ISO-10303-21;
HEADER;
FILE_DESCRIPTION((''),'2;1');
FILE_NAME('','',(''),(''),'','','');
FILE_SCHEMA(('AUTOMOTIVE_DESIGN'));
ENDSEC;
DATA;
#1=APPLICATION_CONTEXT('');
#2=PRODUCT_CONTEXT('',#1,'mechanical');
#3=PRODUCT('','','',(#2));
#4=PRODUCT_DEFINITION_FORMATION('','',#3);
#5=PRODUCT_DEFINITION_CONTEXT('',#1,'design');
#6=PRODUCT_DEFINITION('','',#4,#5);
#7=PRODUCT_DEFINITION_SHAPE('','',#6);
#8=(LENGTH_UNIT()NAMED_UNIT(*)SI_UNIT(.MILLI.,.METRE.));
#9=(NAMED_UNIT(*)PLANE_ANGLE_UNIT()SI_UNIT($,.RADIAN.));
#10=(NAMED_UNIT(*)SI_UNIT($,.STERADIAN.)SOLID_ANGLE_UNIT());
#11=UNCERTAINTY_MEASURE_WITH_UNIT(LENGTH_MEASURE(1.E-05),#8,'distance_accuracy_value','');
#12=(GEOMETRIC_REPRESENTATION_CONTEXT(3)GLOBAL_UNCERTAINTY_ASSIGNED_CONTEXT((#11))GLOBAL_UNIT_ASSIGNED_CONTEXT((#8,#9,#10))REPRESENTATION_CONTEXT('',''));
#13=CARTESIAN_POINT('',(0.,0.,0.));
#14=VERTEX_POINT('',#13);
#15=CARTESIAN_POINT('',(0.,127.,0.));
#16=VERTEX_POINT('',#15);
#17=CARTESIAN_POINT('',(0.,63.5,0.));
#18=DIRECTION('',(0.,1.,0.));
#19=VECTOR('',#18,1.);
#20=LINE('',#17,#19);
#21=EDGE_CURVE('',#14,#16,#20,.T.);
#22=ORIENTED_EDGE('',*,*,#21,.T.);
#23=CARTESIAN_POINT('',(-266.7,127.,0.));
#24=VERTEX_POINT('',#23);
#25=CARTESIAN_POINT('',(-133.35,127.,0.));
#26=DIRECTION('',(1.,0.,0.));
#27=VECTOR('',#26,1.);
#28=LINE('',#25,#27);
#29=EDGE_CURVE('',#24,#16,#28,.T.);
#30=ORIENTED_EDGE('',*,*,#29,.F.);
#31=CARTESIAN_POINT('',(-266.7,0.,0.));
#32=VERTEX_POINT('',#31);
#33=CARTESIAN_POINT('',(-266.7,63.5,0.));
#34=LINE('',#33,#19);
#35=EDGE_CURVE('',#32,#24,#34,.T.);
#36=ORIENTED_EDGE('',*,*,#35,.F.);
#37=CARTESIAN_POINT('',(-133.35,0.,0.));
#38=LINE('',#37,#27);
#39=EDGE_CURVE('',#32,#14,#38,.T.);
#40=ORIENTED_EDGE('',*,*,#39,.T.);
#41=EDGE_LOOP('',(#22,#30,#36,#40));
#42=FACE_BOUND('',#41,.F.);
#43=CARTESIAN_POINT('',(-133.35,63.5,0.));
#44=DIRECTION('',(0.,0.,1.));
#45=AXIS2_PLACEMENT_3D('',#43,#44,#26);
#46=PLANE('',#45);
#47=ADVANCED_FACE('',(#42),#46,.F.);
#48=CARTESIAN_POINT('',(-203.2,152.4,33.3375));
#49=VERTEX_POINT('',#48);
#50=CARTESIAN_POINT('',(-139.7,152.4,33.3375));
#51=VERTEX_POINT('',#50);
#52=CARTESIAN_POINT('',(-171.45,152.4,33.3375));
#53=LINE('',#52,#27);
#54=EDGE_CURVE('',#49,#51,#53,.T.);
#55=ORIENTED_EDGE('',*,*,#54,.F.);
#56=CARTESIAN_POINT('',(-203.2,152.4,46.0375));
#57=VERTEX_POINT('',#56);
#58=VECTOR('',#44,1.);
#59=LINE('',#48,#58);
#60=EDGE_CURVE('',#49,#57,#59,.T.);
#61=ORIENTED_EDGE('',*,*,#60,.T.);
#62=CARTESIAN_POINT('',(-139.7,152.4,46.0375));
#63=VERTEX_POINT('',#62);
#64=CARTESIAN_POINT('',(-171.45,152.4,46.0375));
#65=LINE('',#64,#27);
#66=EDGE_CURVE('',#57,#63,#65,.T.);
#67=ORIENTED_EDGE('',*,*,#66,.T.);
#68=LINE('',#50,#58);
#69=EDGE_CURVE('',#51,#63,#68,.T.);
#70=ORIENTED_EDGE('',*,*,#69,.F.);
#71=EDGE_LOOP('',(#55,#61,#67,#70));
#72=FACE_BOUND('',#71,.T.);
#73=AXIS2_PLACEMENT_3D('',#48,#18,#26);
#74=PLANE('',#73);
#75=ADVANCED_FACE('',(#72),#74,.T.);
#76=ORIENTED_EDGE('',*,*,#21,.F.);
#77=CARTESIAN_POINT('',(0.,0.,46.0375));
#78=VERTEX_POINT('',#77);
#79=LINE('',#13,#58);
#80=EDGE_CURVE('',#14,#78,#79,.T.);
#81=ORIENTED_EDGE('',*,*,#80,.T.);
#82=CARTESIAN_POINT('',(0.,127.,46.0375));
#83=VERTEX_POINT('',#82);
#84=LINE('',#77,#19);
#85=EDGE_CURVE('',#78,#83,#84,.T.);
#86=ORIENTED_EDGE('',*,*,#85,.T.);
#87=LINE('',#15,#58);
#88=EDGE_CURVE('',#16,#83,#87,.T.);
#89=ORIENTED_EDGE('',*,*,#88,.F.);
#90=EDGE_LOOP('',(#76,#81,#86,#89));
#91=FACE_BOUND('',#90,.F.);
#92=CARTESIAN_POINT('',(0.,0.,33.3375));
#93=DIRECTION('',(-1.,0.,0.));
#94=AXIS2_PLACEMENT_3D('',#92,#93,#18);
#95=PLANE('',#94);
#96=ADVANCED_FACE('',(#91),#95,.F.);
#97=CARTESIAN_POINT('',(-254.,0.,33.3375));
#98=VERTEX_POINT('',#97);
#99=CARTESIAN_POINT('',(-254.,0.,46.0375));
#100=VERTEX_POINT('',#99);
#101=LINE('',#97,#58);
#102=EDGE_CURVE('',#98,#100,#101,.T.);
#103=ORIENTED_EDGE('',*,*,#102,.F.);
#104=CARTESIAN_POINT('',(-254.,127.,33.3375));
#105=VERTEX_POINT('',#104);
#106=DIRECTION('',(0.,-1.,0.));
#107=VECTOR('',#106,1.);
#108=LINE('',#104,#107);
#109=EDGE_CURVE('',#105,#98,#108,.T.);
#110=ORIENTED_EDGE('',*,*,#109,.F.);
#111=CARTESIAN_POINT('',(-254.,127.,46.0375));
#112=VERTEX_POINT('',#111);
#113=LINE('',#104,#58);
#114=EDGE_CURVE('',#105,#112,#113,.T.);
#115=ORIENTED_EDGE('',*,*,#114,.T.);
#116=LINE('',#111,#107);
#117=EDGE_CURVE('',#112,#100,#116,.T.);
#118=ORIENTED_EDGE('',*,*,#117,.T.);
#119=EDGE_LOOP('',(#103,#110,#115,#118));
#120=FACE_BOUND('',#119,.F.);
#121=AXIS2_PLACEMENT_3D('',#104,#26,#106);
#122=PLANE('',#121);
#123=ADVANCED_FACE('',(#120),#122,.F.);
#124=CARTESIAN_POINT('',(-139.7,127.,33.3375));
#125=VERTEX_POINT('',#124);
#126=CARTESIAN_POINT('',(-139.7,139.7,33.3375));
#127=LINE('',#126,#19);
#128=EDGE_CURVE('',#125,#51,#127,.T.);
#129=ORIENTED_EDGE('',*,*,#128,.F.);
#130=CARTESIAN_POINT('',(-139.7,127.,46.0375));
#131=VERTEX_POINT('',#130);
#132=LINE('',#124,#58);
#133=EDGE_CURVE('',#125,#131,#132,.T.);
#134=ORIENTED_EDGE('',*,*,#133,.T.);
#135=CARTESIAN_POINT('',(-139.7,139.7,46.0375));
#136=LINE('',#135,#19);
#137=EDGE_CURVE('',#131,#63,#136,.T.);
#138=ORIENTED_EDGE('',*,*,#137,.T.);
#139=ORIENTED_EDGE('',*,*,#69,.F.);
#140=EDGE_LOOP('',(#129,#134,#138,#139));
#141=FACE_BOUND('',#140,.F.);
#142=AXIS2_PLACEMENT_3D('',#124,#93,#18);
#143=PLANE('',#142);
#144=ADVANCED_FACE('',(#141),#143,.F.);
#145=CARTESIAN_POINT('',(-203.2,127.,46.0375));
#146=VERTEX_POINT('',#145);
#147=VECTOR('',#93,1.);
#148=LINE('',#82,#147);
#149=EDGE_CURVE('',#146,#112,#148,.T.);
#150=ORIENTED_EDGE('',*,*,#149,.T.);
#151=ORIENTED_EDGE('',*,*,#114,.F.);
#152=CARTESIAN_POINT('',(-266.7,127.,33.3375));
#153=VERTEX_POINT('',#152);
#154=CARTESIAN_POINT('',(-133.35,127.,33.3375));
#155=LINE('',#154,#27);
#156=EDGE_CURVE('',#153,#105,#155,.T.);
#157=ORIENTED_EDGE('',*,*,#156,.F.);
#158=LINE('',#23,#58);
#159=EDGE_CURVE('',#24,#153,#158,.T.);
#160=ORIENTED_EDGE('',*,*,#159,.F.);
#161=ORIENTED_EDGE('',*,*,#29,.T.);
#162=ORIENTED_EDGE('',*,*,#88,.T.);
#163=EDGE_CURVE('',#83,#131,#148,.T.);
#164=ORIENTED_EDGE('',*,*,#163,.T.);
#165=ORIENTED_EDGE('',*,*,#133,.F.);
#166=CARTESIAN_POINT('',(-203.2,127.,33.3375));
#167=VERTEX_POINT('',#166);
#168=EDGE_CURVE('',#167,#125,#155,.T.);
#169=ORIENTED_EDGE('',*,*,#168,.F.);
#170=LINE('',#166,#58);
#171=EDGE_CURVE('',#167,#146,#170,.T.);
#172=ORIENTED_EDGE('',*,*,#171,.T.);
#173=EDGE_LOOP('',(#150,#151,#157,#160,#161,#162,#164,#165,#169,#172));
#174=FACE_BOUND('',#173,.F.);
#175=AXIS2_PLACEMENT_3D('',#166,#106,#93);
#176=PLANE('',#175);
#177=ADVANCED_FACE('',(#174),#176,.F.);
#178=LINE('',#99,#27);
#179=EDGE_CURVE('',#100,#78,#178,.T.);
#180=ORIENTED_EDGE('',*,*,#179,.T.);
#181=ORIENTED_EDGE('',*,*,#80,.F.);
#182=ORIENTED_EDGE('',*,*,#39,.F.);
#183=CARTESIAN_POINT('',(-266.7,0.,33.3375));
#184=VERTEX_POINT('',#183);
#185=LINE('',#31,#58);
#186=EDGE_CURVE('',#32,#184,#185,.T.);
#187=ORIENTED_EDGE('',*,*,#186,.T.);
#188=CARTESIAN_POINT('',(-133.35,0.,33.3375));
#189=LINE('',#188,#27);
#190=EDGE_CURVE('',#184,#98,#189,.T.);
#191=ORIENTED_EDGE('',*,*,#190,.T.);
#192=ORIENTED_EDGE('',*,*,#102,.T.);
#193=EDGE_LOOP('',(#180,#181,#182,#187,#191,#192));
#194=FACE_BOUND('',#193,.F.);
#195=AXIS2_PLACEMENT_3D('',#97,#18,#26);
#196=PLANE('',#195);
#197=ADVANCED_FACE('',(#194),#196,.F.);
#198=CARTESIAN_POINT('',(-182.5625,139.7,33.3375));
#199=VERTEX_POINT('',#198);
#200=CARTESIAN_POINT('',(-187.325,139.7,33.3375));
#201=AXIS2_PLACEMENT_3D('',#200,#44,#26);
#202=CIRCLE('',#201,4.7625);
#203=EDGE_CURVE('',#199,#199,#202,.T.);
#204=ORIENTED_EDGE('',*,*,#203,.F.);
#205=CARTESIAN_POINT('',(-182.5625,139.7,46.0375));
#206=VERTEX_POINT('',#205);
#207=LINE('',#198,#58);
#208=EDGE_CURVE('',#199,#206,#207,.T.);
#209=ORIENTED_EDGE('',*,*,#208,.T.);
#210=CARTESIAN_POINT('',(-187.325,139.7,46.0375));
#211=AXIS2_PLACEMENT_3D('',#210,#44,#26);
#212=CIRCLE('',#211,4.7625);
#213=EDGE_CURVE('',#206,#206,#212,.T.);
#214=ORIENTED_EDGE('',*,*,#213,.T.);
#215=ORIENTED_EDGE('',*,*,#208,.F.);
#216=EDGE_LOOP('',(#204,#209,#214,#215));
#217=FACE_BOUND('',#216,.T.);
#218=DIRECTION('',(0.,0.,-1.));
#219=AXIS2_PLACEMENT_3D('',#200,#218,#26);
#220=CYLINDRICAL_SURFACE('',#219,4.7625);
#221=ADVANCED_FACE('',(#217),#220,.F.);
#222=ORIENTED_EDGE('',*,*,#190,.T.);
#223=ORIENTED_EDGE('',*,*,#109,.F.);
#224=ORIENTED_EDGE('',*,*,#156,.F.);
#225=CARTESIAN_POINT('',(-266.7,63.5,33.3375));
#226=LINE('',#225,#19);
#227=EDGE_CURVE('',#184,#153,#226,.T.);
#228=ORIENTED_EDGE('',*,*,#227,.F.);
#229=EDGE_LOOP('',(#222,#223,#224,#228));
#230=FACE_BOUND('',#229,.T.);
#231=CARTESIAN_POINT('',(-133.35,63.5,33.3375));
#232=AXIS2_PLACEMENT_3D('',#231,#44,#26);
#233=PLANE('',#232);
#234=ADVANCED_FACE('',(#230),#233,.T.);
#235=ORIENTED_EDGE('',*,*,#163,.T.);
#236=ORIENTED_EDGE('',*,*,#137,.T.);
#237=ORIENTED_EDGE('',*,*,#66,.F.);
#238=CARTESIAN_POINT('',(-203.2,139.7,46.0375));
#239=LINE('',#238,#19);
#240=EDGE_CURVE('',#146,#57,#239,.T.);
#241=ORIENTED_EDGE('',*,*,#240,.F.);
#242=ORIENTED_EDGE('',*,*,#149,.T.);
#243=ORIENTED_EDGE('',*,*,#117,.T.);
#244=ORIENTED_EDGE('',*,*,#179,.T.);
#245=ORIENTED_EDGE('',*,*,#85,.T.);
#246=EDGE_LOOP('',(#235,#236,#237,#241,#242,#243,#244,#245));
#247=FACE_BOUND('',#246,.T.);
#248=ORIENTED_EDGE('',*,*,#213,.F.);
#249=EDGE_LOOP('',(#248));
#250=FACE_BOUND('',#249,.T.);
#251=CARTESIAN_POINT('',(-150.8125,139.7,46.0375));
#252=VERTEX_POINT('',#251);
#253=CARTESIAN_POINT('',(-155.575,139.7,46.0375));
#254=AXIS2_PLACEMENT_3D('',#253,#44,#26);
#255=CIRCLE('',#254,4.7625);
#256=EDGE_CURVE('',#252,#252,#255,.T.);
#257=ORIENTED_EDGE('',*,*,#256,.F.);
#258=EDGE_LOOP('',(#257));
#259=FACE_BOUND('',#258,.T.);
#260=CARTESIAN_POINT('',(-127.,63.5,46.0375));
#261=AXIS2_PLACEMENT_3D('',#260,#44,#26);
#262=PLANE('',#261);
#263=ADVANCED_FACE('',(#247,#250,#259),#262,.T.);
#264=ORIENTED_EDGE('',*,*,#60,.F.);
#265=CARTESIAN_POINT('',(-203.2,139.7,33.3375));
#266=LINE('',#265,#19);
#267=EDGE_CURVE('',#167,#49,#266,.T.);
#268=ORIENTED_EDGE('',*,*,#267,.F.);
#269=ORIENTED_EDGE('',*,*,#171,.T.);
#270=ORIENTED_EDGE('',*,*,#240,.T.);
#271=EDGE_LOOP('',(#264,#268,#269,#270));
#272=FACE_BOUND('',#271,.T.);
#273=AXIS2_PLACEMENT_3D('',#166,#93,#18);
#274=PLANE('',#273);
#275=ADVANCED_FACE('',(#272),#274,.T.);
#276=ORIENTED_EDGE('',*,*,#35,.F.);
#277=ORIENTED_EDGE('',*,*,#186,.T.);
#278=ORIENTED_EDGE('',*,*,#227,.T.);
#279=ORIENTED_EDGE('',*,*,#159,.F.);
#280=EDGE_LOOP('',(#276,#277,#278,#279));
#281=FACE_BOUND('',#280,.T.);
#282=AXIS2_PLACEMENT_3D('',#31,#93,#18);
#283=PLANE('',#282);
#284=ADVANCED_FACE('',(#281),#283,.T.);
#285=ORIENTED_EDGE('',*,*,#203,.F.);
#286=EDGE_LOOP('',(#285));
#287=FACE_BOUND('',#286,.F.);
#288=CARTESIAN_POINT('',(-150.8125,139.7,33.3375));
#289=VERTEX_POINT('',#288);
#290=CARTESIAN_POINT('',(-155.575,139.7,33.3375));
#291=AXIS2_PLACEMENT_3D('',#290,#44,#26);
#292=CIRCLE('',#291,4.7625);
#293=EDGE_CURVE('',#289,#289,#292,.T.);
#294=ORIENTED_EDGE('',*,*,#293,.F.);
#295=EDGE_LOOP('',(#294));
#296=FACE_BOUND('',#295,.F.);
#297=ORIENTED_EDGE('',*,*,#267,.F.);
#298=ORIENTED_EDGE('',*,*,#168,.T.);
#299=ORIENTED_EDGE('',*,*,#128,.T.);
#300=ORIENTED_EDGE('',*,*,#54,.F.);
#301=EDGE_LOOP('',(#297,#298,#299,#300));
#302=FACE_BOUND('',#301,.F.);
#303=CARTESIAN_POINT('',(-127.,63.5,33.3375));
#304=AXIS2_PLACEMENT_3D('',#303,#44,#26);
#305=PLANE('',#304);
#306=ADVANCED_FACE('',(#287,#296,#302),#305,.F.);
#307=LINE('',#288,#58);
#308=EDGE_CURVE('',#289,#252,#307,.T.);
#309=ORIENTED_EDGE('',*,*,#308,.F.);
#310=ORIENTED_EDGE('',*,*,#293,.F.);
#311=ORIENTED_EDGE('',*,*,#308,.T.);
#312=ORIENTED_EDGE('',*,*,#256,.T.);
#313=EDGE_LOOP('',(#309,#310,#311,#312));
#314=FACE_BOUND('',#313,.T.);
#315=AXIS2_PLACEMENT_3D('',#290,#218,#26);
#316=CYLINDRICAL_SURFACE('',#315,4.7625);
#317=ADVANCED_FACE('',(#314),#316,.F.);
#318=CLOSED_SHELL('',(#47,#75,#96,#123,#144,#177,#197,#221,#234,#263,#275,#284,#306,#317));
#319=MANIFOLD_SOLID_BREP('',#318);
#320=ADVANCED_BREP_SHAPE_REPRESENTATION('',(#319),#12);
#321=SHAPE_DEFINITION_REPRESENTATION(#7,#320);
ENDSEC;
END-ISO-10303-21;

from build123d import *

# Parameters (mm, degrees)
F0_W     = 266.7
F0_H     = 127
F1_DEPTH = 33.3375
F2_W     = 63.5
F2_H     = 25.4
F2_R     = 4.7625
F3_DEPTH = 12.7


with BuildPart() as f1:
    # F0 (on Top) → F1 (new body)
    with BuildSketch(Plane.XY):
        with Locations((-133.35, 63.5)):
            Rectangle(F0_W, F0_H)
    extrude(amount=F1_DEPTH)

    # F2 (on face) → F3 (join)
    with BuildSketch(Plane.XY.offset(33.3375)):
        Polygon((-254, 0), (0, 0), (0, 127), (-139.7, 127), (-203.2, 127), (-254, 127), align=None)
        with Locations((-171.45, 139.7)):
            Rectangle(F2_W, F2_H)
        with Locations((-187.325, 139.7)):
            Circle(F2_R, mode=Mode.SUBTRACT)
        with Locations((-155.575, 139.7)):
            Circle(F2_R, mode=Mode.SUBTRACT)
    extrude(amount=F3_DEPTH)


solid = f1.part
